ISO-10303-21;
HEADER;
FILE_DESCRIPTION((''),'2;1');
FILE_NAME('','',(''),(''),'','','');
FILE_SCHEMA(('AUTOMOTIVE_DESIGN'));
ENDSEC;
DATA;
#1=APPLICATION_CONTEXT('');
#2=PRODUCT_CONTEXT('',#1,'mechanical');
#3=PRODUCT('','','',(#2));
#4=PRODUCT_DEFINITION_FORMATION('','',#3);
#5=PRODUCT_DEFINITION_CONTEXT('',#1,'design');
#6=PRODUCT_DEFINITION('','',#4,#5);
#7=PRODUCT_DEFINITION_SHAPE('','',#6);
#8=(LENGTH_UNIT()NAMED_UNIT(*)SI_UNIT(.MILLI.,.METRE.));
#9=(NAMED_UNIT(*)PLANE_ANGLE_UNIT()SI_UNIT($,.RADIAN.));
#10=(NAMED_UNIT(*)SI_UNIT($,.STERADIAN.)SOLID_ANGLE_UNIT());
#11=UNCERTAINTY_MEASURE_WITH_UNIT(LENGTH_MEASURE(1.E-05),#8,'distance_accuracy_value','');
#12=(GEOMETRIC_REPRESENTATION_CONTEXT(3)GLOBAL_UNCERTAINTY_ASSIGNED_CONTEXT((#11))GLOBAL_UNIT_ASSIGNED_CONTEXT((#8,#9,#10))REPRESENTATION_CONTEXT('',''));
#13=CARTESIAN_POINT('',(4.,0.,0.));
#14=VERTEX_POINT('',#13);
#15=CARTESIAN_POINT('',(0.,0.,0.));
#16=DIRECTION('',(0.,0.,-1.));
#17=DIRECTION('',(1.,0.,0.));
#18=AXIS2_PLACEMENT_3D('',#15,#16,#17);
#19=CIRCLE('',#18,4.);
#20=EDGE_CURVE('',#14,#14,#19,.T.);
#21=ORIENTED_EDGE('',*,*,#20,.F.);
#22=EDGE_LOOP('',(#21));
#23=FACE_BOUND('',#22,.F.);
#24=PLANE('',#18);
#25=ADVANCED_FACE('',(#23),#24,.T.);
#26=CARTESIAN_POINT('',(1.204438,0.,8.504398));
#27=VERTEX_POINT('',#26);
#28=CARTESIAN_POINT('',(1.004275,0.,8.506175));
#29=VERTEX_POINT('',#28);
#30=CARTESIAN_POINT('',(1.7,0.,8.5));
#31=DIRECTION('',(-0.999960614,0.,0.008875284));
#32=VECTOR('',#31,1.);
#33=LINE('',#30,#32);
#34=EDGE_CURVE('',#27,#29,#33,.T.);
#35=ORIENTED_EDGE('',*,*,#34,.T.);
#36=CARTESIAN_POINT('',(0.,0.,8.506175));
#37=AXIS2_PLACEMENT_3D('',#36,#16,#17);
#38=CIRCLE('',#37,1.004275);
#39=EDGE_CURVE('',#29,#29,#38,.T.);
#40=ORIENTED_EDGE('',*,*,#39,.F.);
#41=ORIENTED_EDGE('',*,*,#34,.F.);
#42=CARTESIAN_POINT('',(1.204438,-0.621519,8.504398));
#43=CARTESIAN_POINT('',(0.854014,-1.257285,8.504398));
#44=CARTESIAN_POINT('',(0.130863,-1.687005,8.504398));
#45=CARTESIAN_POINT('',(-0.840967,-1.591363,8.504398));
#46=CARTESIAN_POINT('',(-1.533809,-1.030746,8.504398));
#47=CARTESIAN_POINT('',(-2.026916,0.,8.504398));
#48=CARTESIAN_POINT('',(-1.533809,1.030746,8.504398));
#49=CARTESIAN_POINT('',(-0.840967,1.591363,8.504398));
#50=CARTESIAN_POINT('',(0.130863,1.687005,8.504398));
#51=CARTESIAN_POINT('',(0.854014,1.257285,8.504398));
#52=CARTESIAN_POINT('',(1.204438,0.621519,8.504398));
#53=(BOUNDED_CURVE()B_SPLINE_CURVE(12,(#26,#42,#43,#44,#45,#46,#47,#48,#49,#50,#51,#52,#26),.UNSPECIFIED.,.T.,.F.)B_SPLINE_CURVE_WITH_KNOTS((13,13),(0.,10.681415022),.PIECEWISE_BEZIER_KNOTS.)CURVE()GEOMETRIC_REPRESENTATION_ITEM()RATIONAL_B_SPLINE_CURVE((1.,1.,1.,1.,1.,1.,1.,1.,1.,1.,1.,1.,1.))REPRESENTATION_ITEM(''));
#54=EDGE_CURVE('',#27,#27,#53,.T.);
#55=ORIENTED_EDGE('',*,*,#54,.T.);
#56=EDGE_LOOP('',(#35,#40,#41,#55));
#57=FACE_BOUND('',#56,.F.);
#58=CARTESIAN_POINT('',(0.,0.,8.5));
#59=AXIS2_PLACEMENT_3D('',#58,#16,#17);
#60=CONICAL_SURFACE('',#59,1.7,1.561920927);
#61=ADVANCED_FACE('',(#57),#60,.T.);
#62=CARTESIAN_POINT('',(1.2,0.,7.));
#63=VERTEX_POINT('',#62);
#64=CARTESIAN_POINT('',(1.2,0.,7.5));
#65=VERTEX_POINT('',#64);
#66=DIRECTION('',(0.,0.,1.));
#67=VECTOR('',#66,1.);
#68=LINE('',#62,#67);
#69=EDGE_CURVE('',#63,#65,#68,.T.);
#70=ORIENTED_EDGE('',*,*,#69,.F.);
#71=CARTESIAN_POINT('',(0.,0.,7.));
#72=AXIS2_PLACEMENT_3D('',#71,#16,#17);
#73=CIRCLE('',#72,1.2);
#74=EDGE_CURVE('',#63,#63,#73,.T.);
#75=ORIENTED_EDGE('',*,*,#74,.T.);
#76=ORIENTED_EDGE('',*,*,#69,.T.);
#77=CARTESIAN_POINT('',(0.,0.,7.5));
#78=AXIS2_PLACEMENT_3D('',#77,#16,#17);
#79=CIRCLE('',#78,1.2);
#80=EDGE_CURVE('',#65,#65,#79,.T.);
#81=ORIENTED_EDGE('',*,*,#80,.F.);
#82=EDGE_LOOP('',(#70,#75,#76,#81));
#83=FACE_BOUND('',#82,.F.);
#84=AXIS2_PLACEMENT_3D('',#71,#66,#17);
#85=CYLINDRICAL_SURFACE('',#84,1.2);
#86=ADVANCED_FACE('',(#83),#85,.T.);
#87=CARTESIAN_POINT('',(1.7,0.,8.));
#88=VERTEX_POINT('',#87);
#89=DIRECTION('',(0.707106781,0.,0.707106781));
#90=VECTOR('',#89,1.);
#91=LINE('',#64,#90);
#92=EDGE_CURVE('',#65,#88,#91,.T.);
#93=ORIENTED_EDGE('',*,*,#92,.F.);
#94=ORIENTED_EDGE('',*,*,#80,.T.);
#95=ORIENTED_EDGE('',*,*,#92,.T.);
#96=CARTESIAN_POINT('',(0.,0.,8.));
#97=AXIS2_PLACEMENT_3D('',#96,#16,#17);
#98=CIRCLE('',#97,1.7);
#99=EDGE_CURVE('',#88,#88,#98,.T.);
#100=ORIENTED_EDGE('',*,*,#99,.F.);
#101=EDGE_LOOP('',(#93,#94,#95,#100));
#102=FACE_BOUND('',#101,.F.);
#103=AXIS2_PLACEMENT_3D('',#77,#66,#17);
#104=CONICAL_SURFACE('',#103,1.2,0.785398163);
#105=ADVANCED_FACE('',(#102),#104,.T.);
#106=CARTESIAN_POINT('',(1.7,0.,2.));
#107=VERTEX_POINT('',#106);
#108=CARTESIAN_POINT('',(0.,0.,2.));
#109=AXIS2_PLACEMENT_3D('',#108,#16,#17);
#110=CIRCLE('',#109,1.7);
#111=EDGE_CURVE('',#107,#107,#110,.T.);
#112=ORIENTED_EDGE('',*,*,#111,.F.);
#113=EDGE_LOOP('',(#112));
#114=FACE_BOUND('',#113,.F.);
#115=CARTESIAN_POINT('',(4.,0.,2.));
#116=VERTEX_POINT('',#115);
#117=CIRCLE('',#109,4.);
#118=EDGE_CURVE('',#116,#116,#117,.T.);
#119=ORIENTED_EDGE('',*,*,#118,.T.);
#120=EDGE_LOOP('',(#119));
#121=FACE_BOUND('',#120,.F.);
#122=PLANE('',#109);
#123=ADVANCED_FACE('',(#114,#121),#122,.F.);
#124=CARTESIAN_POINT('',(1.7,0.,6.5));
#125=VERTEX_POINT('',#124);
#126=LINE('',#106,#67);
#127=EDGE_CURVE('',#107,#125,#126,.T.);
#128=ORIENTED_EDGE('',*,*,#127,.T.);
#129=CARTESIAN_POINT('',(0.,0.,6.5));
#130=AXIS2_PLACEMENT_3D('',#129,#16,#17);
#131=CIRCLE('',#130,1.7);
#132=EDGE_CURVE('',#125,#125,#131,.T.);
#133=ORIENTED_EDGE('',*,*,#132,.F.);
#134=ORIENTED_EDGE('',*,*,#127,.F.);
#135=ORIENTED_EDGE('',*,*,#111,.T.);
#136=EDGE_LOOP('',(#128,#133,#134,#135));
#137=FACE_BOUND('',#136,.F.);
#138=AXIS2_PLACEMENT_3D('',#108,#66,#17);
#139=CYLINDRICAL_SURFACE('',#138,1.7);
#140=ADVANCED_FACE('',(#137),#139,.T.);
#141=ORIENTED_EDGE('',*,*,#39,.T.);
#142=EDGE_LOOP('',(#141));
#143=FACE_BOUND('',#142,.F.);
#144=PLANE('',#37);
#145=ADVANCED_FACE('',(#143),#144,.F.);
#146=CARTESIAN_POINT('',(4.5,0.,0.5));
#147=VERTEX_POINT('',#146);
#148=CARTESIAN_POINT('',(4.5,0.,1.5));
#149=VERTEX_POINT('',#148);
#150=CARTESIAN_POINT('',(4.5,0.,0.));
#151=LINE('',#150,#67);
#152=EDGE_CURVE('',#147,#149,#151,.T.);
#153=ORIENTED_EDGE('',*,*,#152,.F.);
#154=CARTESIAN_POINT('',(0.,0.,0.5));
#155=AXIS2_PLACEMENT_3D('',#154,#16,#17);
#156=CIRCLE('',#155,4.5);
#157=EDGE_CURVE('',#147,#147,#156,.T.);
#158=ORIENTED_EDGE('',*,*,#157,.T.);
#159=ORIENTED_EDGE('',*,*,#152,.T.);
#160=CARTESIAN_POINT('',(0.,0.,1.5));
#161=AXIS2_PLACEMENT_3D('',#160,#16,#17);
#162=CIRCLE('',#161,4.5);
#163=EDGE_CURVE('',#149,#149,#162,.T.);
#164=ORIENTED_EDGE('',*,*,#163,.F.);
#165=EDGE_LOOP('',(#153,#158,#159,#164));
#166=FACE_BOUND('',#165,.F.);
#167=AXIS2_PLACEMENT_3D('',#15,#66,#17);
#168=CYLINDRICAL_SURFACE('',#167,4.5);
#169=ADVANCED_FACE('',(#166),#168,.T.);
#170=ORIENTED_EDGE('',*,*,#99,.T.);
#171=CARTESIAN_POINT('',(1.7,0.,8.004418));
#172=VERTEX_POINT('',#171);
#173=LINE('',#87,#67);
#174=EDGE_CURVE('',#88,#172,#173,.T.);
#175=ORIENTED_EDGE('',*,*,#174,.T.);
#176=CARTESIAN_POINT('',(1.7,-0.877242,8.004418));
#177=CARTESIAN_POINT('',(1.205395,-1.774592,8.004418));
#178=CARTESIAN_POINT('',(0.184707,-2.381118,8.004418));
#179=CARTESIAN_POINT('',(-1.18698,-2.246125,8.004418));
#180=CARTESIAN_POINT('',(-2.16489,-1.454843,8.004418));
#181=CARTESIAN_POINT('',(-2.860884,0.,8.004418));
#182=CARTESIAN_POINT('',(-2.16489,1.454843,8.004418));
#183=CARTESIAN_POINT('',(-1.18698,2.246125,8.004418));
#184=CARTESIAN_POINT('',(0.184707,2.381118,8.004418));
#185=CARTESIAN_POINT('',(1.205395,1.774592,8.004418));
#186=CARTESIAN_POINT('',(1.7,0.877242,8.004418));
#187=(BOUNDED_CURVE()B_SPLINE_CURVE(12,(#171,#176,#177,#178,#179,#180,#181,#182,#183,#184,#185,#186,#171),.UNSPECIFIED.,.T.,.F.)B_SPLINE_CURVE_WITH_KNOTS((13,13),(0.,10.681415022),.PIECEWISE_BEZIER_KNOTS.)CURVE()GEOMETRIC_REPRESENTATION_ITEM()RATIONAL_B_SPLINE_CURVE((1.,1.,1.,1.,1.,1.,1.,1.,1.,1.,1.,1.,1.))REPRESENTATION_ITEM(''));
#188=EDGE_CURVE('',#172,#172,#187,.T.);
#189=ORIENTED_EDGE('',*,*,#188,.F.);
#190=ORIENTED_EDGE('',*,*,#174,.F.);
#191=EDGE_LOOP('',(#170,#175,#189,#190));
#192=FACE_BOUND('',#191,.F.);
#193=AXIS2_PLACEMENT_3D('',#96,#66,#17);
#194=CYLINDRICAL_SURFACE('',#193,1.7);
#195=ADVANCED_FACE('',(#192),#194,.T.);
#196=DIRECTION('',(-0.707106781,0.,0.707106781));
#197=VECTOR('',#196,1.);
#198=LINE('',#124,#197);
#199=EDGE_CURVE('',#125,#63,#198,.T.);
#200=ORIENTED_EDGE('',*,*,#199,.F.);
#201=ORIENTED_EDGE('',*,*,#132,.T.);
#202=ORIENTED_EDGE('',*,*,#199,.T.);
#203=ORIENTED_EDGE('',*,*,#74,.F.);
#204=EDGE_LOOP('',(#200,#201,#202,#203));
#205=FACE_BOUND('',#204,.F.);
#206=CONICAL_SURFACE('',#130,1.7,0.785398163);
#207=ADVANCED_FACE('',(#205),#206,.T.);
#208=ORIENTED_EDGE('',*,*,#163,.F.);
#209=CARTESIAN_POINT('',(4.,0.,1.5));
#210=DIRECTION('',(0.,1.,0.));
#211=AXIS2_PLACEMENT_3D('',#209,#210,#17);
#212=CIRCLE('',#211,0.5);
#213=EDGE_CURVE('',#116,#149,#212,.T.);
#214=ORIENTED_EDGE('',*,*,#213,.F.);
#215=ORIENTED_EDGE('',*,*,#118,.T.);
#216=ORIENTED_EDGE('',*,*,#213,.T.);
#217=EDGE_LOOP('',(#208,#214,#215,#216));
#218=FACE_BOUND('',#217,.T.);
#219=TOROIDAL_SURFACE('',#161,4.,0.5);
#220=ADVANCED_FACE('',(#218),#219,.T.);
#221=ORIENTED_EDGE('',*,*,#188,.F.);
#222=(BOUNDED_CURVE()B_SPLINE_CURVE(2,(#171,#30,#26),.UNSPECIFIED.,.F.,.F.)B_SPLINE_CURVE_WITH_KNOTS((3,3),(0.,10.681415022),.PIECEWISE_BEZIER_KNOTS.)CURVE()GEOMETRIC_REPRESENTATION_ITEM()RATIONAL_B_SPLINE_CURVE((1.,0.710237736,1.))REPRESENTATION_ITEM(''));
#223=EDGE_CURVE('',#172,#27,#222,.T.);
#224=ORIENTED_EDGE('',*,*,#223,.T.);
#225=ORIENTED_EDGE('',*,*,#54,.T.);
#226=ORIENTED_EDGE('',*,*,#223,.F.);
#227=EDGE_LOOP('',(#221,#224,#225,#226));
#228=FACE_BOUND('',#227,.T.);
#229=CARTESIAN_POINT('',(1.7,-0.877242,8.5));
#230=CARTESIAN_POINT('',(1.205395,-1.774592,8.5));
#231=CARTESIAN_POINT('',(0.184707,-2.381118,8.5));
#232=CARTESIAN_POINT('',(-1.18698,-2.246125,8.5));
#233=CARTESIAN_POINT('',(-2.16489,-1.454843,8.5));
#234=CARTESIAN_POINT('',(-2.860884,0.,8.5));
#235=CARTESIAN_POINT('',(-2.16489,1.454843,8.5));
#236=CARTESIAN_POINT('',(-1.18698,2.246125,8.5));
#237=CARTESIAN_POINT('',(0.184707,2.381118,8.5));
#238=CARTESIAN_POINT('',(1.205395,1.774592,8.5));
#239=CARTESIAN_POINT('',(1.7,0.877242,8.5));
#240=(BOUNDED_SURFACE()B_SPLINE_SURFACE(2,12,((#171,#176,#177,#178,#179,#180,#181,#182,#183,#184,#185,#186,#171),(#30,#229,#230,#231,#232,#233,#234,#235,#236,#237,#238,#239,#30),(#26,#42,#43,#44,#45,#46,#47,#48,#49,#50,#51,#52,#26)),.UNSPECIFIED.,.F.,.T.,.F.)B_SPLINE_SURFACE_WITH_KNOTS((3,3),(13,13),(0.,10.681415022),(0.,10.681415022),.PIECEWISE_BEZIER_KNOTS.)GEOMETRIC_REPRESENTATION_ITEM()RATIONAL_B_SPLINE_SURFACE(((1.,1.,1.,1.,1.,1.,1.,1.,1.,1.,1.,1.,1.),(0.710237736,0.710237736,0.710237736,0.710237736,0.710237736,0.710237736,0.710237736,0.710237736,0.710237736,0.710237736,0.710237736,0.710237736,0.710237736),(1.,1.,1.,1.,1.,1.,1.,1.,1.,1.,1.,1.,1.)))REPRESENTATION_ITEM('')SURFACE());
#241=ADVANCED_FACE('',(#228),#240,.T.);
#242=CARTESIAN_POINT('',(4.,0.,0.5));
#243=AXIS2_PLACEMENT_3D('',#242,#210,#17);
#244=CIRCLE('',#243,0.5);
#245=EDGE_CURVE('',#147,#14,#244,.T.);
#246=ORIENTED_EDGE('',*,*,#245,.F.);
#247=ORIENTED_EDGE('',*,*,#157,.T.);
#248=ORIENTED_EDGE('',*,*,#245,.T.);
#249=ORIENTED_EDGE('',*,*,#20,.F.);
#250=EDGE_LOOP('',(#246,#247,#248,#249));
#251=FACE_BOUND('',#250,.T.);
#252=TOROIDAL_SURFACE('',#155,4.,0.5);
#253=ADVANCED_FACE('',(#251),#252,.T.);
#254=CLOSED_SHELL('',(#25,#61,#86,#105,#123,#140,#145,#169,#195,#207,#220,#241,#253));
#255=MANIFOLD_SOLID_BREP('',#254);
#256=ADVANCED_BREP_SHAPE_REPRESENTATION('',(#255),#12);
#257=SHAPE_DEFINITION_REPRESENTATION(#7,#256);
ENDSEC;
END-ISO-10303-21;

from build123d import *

# Parameters (mm, degrees)
F2_R = 0.5
F3_R = 0.5


with BuildPart() as f1:
    # F0 (on Front) → F1 (revolve)
    with BuildSketch(Plane.XZ):
        Polygon((0, 8.506175), (0, 0), (4.5, 0), (4.5, 2), (1.7, 2), (1.7, 6.5), (1.2, 7), (1.2, 7.5), (1.7, 8), (1.7, 8.5), (1.004275, 8.506175), align=None)
    revolve(axis=Axis((0, 0, 4.253088), (0, 0, -1)))

    # F2
    f2_edges = [f1.edges().sort_by_distance(p)[0] for p in [
        (-1.7, 0, 8.5),
    ]]
    fillet(f2_edges, radius=F2_R)

    # F3
    f3_edges = [f1.edges().sort_by_distance(p)[0] for p in [
        (-4.5, 0, 0),
        (-4.5, 0, 2),
    ]]
    fillet(f3_edges, radius=F3_R)


solid = f1.part
